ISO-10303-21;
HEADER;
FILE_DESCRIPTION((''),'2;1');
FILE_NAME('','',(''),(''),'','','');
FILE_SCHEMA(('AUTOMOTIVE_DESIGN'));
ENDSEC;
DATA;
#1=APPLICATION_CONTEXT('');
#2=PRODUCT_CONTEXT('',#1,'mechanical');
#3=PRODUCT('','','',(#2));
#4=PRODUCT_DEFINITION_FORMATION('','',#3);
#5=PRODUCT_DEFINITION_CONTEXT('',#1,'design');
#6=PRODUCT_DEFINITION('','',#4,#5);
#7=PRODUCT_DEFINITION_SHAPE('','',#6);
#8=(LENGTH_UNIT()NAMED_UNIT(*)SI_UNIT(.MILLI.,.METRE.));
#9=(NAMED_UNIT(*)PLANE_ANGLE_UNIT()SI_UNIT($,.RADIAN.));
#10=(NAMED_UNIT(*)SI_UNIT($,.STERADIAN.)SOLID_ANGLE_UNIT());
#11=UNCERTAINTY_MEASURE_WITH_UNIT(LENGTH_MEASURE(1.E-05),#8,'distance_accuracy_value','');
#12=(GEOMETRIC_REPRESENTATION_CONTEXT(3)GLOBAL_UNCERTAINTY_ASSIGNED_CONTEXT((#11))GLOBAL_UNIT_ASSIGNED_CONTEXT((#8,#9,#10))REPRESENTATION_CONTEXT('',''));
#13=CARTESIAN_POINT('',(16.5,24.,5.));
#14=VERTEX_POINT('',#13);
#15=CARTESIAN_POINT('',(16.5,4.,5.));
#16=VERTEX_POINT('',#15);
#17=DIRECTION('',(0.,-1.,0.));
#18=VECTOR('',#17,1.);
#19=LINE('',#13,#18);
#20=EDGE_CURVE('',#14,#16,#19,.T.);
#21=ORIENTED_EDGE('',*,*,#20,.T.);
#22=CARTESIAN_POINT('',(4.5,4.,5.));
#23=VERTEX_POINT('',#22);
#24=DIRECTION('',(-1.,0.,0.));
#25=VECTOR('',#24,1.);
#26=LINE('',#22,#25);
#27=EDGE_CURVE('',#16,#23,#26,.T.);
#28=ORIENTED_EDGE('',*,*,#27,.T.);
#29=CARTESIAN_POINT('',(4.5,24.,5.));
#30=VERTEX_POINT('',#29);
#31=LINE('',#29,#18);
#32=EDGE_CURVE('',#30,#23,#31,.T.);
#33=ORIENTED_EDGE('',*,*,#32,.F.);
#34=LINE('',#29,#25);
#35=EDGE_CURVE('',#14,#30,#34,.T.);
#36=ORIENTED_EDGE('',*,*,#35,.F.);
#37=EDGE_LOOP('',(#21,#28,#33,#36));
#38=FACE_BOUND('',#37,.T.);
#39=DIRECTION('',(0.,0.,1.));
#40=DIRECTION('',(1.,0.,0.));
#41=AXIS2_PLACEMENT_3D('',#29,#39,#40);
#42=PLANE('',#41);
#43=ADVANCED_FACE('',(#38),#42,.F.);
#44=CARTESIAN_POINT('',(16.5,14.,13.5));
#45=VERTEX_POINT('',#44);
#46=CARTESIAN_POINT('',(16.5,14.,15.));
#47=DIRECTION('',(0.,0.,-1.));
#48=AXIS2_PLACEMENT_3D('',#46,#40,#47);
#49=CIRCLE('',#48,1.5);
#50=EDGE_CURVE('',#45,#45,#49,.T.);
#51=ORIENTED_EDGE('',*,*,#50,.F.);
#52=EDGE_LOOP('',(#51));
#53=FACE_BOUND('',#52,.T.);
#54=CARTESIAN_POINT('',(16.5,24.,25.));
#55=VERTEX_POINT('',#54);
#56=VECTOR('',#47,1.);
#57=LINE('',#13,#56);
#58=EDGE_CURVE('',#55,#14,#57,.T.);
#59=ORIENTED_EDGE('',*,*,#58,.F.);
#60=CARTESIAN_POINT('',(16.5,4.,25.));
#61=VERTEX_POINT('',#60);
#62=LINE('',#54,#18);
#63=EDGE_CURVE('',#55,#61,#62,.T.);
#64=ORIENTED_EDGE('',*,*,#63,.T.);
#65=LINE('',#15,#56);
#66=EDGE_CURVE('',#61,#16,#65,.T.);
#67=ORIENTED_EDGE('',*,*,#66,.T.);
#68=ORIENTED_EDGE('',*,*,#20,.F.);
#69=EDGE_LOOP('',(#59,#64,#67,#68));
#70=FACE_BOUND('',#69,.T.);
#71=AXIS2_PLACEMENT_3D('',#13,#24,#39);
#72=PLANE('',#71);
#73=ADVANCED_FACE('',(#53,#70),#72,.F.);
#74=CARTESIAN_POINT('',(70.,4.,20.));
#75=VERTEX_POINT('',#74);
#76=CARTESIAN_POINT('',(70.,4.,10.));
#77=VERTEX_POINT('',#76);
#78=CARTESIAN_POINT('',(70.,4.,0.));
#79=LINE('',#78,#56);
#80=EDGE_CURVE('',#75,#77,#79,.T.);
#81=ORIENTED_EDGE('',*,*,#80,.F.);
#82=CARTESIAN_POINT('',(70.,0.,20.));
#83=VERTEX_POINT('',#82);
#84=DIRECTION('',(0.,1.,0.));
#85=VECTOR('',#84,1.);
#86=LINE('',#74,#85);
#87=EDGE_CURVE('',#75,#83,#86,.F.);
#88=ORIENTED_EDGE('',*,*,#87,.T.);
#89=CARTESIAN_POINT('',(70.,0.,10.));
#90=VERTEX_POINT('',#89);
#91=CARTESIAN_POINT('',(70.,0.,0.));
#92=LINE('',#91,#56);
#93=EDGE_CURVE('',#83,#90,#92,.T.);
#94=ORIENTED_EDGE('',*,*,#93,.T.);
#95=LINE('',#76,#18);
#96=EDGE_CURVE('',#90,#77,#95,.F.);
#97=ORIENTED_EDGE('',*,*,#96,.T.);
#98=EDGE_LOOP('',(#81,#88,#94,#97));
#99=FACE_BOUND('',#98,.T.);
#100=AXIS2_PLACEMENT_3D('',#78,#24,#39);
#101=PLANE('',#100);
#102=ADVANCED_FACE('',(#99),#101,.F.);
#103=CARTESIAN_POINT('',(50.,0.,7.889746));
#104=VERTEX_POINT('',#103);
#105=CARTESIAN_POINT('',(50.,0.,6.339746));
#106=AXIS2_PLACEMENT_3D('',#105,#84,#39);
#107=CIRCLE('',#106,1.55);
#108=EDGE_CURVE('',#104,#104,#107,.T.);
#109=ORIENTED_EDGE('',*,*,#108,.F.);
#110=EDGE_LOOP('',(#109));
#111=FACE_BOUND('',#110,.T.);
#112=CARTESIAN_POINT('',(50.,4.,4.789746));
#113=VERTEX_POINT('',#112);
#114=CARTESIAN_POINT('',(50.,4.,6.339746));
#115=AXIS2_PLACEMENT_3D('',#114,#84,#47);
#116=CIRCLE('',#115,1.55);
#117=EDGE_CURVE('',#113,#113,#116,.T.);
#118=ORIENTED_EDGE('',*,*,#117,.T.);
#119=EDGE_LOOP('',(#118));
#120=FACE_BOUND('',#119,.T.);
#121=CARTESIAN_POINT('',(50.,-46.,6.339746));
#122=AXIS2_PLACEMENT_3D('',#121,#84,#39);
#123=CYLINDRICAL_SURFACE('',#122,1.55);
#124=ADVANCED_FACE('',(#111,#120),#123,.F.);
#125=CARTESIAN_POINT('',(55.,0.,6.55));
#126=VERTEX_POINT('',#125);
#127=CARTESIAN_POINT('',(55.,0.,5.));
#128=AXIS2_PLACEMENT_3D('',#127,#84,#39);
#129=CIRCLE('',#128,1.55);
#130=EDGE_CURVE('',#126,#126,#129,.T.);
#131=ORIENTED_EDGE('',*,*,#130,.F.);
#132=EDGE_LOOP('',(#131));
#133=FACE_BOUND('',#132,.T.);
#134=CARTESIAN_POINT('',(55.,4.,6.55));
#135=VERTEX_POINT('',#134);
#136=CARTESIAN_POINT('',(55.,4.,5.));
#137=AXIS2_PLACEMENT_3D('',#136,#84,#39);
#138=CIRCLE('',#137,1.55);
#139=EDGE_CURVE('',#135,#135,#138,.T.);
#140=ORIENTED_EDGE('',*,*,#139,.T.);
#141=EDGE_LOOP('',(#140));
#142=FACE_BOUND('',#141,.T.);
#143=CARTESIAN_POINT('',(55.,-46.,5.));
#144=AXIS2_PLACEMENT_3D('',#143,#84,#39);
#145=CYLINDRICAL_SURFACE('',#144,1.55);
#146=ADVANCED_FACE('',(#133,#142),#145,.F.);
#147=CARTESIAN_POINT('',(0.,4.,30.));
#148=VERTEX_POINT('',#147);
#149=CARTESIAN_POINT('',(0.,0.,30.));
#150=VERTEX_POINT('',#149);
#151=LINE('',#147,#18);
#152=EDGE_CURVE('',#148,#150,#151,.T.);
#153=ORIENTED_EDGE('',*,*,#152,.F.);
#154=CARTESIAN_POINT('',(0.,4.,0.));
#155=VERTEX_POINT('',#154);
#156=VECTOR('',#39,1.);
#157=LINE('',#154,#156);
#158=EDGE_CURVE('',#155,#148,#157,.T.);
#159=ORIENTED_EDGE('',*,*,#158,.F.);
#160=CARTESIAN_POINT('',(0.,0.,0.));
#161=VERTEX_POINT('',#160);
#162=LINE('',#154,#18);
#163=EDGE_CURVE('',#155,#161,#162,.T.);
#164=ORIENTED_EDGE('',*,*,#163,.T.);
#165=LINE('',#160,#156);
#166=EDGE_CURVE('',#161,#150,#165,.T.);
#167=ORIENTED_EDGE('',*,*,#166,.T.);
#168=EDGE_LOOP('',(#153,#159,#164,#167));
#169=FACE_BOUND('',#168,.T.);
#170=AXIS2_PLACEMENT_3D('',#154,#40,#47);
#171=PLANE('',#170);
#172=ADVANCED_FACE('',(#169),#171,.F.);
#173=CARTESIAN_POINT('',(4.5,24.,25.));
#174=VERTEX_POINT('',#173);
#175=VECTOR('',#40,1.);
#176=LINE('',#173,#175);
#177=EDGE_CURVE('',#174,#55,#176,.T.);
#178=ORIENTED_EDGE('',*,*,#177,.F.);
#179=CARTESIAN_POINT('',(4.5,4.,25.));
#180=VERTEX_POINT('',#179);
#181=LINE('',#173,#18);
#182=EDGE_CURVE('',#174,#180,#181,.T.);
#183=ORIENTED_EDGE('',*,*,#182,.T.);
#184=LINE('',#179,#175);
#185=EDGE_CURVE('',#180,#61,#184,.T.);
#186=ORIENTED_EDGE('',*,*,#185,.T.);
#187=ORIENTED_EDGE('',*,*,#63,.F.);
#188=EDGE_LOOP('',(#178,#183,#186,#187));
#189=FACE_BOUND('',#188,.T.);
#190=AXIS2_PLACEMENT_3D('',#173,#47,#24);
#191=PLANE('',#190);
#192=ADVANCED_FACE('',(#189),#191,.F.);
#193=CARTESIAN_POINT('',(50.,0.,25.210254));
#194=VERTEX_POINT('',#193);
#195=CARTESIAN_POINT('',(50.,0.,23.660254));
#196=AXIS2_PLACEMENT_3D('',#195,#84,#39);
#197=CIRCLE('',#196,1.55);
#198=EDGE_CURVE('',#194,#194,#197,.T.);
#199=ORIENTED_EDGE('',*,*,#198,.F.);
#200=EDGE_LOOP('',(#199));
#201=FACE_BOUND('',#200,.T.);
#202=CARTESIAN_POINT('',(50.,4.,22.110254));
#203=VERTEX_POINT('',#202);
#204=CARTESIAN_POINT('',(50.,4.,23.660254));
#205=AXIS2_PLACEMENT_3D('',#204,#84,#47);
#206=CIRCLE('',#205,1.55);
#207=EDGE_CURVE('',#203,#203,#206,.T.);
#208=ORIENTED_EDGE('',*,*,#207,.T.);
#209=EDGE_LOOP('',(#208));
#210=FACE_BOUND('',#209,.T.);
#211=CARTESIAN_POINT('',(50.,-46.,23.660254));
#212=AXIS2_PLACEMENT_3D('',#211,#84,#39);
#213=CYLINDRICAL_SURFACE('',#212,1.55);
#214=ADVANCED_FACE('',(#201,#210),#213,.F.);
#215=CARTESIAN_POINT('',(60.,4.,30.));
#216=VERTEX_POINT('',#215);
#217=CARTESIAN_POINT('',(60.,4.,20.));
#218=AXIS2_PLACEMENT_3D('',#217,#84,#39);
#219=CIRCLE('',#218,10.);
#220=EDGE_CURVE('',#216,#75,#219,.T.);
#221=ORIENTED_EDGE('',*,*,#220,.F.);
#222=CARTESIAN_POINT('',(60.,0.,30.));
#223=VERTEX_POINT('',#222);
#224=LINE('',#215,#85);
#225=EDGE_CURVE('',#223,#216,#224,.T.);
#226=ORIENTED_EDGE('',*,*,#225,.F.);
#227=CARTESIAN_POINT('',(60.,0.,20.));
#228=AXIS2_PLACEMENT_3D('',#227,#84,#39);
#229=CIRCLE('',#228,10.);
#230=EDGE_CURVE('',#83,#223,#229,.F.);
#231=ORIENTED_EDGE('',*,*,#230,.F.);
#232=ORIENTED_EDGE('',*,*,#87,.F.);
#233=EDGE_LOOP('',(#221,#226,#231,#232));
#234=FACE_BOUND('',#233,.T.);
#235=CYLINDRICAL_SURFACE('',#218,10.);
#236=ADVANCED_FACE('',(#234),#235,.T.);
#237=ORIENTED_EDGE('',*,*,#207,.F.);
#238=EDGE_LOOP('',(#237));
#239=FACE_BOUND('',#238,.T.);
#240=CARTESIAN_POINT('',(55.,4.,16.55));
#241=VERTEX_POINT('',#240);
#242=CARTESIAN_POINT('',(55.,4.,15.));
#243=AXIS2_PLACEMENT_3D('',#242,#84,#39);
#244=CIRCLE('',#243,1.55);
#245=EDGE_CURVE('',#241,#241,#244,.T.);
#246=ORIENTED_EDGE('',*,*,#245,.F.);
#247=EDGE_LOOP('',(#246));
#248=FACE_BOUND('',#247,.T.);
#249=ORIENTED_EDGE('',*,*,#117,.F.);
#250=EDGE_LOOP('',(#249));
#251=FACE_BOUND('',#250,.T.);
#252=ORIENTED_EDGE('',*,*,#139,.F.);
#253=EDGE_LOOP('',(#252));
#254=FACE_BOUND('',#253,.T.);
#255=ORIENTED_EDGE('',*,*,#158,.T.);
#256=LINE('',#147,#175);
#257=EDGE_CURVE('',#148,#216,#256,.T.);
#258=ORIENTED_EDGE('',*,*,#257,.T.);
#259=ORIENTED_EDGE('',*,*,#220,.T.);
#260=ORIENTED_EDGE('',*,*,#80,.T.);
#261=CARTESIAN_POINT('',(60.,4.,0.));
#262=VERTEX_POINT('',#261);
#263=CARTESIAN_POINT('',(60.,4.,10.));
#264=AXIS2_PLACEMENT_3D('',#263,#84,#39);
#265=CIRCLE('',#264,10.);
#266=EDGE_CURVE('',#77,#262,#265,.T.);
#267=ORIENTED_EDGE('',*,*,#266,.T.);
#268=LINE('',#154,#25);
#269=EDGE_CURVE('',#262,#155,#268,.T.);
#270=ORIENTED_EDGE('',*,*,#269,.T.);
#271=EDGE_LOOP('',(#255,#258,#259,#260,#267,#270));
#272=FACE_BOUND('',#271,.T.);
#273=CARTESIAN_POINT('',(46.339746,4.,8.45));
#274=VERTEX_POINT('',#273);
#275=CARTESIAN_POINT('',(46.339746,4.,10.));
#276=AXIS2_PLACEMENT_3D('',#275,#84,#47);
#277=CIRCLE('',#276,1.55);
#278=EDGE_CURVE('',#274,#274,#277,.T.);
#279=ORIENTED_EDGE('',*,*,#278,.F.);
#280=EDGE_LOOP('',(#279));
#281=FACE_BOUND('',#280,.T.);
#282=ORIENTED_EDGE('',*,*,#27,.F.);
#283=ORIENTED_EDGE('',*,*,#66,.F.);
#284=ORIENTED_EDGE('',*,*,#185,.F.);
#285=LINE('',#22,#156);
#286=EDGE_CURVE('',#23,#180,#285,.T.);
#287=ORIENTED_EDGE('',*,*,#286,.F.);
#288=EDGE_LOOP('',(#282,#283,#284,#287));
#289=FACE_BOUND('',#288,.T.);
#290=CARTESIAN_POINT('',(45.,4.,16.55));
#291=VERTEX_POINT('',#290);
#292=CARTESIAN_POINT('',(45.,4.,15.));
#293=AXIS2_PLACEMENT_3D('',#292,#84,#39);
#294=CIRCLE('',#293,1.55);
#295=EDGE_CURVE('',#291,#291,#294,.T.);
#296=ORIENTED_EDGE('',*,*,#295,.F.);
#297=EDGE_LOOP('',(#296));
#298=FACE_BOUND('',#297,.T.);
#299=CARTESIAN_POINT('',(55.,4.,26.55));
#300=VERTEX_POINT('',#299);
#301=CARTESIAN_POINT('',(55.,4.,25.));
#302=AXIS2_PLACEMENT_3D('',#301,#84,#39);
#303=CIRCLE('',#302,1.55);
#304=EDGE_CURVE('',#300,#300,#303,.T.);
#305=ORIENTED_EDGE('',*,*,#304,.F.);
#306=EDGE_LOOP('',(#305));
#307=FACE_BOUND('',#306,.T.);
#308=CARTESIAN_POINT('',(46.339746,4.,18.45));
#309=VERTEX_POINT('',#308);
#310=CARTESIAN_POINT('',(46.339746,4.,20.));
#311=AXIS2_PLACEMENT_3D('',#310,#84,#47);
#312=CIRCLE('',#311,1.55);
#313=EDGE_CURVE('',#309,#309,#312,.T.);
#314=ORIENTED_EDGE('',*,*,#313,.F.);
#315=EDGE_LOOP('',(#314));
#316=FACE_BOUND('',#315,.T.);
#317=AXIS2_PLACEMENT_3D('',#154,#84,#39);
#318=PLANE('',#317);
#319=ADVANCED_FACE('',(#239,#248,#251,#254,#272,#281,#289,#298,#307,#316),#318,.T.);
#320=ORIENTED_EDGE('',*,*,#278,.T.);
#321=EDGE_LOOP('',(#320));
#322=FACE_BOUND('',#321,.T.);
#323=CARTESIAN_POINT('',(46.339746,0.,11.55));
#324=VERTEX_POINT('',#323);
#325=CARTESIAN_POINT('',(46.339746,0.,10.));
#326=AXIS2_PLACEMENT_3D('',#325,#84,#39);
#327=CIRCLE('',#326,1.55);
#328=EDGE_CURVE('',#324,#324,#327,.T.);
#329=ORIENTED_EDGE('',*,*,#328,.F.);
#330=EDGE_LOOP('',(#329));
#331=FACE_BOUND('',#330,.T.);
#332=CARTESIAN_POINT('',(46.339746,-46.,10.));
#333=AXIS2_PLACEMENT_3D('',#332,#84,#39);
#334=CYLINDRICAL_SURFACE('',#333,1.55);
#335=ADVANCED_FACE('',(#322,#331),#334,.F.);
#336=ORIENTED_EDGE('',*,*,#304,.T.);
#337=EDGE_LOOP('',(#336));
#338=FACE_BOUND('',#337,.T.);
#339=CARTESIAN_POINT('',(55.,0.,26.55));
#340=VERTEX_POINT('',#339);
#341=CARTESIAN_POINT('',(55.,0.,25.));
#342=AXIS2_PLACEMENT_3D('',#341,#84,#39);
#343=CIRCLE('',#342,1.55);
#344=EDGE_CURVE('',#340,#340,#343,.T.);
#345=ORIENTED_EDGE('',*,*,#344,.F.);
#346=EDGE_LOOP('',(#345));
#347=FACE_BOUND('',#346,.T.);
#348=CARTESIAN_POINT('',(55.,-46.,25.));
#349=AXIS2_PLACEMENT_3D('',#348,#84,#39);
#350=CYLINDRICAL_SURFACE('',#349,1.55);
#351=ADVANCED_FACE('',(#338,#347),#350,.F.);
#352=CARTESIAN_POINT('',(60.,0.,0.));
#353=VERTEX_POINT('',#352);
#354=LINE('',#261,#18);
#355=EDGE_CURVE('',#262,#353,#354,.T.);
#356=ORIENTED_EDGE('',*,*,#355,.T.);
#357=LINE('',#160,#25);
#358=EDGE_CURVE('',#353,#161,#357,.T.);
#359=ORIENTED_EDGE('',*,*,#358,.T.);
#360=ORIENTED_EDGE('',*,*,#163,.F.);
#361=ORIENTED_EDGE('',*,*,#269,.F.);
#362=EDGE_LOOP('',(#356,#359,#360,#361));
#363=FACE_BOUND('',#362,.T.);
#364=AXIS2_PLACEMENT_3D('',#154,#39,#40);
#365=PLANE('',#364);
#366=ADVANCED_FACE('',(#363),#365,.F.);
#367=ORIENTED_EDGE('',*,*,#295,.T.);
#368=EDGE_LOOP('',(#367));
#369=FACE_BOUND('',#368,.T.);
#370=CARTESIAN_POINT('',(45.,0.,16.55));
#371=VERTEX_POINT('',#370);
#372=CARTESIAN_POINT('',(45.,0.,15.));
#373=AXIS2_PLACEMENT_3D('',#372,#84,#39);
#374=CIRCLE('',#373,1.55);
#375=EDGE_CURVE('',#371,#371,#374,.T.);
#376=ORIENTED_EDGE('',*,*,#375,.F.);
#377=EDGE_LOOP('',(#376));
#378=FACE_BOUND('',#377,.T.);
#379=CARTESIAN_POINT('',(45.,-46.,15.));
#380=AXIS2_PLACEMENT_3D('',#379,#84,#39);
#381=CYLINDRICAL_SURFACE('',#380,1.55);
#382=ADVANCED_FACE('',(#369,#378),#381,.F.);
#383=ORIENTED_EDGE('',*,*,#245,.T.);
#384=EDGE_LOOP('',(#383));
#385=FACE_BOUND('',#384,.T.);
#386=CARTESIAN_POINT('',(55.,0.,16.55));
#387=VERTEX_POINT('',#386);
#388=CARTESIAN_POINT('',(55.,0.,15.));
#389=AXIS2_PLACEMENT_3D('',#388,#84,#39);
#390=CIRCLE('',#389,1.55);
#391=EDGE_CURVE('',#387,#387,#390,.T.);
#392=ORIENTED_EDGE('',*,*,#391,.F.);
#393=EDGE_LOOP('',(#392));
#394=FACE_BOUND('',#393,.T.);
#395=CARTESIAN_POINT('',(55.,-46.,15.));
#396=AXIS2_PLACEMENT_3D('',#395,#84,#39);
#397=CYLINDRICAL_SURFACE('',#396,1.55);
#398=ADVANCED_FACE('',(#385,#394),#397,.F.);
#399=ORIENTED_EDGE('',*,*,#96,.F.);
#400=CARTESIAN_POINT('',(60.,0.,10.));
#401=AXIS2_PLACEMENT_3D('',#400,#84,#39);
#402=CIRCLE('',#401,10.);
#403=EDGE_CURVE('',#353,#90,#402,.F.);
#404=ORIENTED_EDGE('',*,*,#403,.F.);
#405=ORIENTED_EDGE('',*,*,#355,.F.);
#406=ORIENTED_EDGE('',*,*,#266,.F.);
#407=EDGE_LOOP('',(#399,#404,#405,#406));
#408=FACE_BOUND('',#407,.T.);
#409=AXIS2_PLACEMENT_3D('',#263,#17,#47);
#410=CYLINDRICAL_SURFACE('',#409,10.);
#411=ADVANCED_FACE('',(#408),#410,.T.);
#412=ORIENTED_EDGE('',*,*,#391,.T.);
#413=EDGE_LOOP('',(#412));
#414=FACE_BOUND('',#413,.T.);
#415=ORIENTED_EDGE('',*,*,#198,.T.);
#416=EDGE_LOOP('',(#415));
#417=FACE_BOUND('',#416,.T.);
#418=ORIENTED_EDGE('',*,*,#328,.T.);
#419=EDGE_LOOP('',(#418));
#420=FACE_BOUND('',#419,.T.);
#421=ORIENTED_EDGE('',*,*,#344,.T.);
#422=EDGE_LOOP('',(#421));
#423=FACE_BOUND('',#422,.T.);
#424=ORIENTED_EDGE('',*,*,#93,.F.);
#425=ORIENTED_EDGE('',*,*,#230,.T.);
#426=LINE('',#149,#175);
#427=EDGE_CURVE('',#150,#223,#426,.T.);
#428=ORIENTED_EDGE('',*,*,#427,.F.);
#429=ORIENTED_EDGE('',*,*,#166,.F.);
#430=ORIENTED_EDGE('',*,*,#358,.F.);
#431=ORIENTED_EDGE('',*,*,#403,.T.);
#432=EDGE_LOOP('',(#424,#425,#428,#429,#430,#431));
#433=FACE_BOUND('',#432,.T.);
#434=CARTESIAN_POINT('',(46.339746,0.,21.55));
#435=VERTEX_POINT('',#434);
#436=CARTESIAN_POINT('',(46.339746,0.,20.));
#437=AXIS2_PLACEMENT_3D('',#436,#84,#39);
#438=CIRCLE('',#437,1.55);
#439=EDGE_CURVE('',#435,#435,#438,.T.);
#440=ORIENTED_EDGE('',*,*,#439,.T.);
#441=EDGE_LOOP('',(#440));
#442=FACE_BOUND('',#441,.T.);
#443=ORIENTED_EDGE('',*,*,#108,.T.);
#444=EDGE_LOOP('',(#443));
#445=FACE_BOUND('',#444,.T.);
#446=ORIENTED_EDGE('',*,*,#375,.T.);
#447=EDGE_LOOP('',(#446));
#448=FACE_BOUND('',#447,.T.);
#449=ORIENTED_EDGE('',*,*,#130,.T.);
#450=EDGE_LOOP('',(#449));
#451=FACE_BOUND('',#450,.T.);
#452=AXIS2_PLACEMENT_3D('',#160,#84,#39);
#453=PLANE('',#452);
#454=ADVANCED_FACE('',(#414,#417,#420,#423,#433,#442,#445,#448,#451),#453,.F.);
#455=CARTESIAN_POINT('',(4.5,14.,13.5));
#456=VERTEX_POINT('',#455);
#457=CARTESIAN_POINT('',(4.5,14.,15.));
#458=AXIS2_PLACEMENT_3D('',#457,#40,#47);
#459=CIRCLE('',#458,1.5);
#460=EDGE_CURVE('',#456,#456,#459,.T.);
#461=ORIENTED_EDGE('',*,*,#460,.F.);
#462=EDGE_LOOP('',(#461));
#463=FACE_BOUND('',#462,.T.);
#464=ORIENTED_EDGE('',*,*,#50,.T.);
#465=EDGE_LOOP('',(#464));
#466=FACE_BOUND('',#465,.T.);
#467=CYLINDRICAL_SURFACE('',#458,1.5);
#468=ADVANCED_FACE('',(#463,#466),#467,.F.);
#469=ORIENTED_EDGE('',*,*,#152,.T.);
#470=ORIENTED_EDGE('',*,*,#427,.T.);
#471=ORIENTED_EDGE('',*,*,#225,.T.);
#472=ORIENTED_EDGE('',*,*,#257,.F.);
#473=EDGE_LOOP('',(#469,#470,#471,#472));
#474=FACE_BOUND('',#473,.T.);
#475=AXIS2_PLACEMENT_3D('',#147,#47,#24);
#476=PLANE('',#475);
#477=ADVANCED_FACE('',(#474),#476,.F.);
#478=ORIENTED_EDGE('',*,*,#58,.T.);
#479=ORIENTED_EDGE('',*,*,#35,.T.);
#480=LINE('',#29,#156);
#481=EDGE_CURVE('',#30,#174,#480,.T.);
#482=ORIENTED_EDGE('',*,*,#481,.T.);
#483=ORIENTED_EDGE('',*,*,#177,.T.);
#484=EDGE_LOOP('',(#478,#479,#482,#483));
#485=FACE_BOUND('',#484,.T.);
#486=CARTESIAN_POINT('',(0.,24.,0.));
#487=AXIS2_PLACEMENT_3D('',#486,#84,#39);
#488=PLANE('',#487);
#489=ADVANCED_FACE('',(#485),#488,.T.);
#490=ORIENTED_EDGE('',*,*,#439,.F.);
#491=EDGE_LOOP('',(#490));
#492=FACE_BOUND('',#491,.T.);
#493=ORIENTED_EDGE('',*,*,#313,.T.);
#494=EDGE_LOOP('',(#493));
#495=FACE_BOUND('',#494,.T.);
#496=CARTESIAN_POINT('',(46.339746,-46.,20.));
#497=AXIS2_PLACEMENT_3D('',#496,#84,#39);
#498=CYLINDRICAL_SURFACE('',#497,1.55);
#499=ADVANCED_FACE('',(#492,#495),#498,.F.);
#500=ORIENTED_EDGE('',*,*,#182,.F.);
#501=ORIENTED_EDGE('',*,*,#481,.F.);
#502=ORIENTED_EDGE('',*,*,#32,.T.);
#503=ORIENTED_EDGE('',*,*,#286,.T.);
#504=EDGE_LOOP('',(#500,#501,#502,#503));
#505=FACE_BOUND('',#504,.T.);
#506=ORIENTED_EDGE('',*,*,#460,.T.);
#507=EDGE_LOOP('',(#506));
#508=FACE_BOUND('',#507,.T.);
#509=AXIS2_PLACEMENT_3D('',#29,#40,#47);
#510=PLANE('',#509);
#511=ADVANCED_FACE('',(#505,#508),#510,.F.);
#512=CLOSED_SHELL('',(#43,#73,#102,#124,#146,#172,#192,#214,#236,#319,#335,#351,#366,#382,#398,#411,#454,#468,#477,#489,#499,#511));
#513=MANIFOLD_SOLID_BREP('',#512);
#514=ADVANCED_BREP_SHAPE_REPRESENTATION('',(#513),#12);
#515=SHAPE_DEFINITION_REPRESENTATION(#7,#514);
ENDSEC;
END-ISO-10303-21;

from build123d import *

# Parameters (mm, degrees)
SKETCH_1_W          = 70
SKETCH_1_H          = 30
EXTRUDE_1_DEPTH     = 4
SKETCH_2_W          = 12
SKETCH_2_H          = 20
EXTRUDE_2_DEPTH     = 20
SKETCH_7_R          = 1.5
CUT_EXTRUDE_2_DEPTH = 12
SKETCH_11_R         = 1.55
CUT_EXTRUDE_4_DEPTH = 50
FILLET_1_R          = 10
FILLET_2_R          = 10


with BuildPart() as part:
    # 草图1 → 凸台-拉伸1 (new body)
    with BuildSketch(Plane(origin=(0, 0, 0), x_dir=(1, 0, 0), z_dir=(0, 1, 0))):
        with Locations((35, -15)):
            Rectangle(SKETCH_1_W, SKETCH_1_H)
    extrude(amount=EXTRUDE_1_DEPTH)

    # 草图2 → 凸台-拉伸2 (add)
    with BuildSketch(Plane(origin=(0, 4, 0), x_dir=(1, 0, 0), z_dir=(0, 1, 0))):
        with Locations((10.5, -15)):
            Rectangle(SKETCH_2_W, SKETCH_2_H)
    extrude(amount=EXTRUDE_2_DEPTH)

    # 草图7 → 切除-拉伸2 (cut)
    with BuildSketch(Plane(origin=(16.5, 0, 0), x_dir=(0, 0, -1), z_dir=(1, 0, 0))):
        with Locations((-15, 14)):
            Circle(SKETCH_7_R)
    extrude(amount=-CUT_EXTRUDE_2_DEPTH, mode=Mode.SUBTRACT)

    # 草图11 → 切除-拉伸4 (cut)
    with BuildSketch(Plane(origin=(0, 4, 0), x_dir=(1, 0, 0), z_dir=(0, 1, 0))):
        with Locations(Location((55, -15, 0), (0, 0, 270))):
            Circle(SKETCH_11_R)
        with Locations(Location((50, -23.660254038, 0), (0, 0, 270))):
            Circle(SKETCH_11_R)
        with Locations(Location((46.339745962, -20, 0), (0, 0, 270))):
            Circle(SKETCH_11_R)
        with Locations(Location((46.339745962, -10, 0), (0, 0, 270))):
            Circle(SKETCH_11_R)
        with Locations(Location((50, -6.339745962, 0), (0, 0, 270))):
            Circle(SKETCH_11_R)
        with Locations(Location((45, -15, 0), (0, 0, 270))):
            Circle(SKETCH_11_R)
        with Locations(Location((55, -5, 0), (0, 0, 270))):
            Circle(SKETCH_11_R)
        with Locations(Location((55, -25, 0), (0, 0, 270))):
            Circle(SKETCH_11_R)
    extrude(amount=-CUT_EXTRUDE_4_DEPTH, mode=Mode.SUBTRACT)

    # 圆角1
    fillet_1_edges = [part.edges().sort_by_distance(p)[0] for p in [
        (70, 2, 30),
    ]]
    fillet(fillet_1_edges, radius=FILLET_1_R)

    # 圆角2
    fillet_2_edges = [part.edges().sort_by_distance(p)[0] for p in [
        (70, 2, 0),
    ]]
    fillet(fillet_2_edges, radius=FILLET_2_R)


solid = part.part
